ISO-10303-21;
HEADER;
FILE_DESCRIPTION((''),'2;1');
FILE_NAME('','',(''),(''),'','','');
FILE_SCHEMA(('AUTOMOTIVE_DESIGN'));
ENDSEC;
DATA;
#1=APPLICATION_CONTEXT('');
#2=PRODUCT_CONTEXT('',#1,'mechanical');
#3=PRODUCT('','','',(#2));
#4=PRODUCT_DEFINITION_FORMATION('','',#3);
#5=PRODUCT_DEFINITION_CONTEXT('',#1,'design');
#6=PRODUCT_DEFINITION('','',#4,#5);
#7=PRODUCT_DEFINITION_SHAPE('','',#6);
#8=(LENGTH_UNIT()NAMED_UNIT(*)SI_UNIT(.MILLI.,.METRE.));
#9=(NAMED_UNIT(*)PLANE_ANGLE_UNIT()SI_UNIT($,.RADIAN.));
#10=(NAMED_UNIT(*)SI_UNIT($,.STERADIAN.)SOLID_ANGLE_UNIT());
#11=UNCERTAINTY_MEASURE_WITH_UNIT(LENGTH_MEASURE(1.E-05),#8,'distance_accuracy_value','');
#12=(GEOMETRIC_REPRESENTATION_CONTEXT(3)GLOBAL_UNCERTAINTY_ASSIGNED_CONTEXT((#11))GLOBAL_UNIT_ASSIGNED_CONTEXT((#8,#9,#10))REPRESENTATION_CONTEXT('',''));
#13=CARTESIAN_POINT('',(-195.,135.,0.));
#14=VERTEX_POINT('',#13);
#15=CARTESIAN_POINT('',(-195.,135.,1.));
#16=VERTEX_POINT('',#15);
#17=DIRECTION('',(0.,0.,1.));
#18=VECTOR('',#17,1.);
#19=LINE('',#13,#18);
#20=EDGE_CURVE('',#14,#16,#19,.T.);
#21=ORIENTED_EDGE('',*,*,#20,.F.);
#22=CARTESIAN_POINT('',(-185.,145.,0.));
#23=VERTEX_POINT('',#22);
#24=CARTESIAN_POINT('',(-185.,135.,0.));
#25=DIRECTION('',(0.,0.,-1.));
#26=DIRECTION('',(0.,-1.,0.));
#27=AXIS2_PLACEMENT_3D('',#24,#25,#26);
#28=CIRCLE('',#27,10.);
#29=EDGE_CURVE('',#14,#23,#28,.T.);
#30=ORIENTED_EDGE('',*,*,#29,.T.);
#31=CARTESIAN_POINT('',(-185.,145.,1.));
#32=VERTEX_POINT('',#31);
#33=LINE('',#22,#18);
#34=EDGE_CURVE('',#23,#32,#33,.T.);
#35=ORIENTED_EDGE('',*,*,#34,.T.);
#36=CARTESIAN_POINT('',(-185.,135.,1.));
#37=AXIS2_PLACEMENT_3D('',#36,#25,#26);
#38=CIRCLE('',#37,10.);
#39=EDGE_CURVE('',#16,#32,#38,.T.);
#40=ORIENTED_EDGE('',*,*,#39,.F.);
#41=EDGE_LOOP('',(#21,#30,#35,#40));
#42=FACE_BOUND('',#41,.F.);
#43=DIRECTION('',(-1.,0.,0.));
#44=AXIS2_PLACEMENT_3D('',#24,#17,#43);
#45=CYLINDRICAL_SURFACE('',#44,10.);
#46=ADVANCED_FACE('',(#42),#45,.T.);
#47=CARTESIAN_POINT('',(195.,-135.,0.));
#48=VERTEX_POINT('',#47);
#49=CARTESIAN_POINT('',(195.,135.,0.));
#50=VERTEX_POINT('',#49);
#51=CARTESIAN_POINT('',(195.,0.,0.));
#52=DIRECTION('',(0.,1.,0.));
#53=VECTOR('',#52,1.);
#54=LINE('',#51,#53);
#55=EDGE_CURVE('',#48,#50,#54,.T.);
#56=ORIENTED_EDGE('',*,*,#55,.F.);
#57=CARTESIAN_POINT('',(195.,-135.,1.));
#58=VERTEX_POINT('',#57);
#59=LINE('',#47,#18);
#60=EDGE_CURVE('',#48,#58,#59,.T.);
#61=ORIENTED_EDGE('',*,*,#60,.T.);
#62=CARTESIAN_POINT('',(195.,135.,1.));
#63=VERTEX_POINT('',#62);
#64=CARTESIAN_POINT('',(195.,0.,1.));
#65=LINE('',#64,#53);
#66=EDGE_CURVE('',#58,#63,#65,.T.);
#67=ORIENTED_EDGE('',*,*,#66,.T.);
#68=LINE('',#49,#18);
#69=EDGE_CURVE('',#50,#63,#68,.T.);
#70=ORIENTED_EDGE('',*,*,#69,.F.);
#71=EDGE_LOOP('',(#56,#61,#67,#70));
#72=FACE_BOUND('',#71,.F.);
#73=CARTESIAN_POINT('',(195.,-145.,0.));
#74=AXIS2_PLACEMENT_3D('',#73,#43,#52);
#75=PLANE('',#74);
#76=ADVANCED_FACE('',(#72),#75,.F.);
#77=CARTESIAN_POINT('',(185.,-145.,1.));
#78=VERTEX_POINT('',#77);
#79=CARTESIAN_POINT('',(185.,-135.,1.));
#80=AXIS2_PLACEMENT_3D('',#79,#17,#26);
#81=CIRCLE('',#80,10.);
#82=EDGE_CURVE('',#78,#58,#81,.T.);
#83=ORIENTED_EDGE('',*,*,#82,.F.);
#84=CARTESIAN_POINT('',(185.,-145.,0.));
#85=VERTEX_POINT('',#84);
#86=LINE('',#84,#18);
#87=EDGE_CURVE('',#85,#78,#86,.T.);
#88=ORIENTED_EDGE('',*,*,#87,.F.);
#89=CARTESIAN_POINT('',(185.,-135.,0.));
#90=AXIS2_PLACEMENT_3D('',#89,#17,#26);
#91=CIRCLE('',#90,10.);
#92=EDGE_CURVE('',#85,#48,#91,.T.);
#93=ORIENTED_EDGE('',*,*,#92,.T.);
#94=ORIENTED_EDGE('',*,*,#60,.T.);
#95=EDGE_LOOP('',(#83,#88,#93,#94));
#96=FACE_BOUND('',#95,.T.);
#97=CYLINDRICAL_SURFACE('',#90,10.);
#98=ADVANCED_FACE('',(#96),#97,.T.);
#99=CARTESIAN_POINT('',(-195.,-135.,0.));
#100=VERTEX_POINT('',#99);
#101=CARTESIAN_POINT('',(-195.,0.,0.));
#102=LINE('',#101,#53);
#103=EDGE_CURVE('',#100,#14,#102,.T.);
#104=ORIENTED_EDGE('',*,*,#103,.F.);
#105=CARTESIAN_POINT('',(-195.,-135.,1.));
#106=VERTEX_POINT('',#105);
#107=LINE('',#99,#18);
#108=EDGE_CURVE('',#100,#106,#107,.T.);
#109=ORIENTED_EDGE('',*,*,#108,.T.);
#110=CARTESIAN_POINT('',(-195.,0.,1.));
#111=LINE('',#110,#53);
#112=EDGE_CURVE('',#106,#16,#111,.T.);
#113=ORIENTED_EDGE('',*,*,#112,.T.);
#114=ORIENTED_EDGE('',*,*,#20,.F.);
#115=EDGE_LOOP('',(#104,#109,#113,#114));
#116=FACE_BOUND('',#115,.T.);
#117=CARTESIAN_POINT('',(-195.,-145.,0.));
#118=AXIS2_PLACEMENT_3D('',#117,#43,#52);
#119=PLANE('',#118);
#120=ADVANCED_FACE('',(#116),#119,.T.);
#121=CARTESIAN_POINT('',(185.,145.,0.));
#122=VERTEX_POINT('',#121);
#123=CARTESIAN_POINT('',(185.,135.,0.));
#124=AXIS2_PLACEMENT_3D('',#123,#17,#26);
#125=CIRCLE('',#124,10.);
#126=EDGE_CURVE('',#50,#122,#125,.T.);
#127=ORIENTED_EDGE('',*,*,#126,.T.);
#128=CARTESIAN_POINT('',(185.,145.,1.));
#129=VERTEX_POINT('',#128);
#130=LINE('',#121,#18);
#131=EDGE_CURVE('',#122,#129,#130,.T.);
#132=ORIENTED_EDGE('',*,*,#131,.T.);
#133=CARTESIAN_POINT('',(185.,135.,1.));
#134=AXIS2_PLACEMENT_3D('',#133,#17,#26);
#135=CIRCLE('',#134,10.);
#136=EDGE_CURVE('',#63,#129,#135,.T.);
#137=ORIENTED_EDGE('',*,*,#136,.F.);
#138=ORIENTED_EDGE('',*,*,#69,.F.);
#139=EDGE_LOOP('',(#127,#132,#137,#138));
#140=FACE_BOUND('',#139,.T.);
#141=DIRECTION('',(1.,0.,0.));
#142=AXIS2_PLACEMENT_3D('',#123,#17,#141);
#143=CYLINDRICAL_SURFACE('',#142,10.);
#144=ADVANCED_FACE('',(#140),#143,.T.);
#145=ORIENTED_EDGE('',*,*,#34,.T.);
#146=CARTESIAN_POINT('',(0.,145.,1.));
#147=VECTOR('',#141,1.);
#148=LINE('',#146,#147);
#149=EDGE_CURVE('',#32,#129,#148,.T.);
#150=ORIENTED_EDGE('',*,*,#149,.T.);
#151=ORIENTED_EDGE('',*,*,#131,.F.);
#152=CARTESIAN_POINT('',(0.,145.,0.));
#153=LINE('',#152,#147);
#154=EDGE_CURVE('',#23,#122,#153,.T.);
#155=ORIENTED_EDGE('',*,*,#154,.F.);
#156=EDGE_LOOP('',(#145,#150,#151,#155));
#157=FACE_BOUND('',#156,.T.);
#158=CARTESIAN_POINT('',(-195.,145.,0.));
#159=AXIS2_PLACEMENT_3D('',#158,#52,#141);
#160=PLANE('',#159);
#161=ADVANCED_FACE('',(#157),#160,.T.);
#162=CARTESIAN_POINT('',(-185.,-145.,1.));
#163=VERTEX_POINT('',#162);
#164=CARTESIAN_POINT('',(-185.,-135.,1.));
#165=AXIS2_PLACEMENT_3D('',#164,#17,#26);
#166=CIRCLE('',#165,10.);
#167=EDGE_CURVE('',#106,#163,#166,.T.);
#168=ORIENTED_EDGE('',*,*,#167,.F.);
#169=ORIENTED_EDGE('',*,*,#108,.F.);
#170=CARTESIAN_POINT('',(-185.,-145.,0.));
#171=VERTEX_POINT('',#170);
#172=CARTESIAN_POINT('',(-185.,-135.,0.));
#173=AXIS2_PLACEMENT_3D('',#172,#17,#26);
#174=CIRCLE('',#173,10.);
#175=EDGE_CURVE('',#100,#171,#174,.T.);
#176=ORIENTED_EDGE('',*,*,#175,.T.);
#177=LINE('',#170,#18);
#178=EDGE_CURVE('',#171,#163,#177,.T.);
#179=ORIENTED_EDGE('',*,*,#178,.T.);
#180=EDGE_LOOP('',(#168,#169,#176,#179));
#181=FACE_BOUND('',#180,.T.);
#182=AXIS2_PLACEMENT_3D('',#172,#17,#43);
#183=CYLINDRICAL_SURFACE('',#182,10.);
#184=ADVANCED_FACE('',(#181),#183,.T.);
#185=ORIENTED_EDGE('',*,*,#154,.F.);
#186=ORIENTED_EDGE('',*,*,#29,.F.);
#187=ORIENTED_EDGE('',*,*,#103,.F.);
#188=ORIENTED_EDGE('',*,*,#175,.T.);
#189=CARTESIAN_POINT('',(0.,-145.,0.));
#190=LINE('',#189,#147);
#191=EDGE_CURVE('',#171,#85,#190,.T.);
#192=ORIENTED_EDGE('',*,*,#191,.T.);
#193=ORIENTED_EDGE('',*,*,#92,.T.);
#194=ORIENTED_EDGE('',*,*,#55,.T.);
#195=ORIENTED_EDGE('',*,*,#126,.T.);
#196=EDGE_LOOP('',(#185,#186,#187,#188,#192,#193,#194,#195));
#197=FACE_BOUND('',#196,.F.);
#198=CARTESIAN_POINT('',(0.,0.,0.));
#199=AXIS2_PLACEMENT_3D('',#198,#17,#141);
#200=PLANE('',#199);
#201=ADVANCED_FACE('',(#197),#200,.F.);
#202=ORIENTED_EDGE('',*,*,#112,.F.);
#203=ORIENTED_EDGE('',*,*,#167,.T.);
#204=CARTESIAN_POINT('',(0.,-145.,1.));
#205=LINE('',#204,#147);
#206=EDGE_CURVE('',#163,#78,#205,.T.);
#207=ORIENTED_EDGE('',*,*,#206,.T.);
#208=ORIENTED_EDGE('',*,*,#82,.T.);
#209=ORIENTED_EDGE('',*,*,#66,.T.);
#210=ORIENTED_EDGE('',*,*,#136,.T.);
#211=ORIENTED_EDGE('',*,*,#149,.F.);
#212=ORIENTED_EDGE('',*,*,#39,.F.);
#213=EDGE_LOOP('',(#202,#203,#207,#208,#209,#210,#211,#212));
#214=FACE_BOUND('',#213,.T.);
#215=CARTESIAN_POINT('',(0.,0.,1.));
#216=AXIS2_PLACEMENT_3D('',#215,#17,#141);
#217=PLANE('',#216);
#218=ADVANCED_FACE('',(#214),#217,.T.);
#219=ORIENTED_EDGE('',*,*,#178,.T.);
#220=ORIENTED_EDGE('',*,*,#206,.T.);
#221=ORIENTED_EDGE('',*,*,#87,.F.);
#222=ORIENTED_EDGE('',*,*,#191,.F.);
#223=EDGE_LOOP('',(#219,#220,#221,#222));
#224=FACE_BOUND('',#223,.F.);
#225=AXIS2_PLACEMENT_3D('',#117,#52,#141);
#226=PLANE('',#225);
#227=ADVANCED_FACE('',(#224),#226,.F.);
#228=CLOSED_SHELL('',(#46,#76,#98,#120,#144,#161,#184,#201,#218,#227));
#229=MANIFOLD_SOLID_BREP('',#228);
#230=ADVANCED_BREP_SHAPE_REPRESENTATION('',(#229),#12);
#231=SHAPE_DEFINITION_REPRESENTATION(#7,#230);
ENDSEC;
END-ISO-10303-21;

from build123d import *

# Parameters (mm, degrees)
SKETCH_W  = 390
SKETCH_H  = 290
PAD_DEPTH = 1
FILLET_R  = 10


with BuildPart() as part:
    # Sketch → Pad (new body)
    with BuildSketch(Plane.XY):
        Rectangle(SKETCH_W, SKETCH_H)
    extrude(amount=PAD_DEPTH)

    # Fillet
    fillet_edges = [part.edges().sort_by_distance(p)[0] for p in [
        (195, 145, 0.5),
        (195, -145, 0.5),
        (-195, 145, 0.5),
        (-195, -145, 0.5),
    ]]
    fillet(fillet_edges, radius=FILLET_R)


solid = part.part
